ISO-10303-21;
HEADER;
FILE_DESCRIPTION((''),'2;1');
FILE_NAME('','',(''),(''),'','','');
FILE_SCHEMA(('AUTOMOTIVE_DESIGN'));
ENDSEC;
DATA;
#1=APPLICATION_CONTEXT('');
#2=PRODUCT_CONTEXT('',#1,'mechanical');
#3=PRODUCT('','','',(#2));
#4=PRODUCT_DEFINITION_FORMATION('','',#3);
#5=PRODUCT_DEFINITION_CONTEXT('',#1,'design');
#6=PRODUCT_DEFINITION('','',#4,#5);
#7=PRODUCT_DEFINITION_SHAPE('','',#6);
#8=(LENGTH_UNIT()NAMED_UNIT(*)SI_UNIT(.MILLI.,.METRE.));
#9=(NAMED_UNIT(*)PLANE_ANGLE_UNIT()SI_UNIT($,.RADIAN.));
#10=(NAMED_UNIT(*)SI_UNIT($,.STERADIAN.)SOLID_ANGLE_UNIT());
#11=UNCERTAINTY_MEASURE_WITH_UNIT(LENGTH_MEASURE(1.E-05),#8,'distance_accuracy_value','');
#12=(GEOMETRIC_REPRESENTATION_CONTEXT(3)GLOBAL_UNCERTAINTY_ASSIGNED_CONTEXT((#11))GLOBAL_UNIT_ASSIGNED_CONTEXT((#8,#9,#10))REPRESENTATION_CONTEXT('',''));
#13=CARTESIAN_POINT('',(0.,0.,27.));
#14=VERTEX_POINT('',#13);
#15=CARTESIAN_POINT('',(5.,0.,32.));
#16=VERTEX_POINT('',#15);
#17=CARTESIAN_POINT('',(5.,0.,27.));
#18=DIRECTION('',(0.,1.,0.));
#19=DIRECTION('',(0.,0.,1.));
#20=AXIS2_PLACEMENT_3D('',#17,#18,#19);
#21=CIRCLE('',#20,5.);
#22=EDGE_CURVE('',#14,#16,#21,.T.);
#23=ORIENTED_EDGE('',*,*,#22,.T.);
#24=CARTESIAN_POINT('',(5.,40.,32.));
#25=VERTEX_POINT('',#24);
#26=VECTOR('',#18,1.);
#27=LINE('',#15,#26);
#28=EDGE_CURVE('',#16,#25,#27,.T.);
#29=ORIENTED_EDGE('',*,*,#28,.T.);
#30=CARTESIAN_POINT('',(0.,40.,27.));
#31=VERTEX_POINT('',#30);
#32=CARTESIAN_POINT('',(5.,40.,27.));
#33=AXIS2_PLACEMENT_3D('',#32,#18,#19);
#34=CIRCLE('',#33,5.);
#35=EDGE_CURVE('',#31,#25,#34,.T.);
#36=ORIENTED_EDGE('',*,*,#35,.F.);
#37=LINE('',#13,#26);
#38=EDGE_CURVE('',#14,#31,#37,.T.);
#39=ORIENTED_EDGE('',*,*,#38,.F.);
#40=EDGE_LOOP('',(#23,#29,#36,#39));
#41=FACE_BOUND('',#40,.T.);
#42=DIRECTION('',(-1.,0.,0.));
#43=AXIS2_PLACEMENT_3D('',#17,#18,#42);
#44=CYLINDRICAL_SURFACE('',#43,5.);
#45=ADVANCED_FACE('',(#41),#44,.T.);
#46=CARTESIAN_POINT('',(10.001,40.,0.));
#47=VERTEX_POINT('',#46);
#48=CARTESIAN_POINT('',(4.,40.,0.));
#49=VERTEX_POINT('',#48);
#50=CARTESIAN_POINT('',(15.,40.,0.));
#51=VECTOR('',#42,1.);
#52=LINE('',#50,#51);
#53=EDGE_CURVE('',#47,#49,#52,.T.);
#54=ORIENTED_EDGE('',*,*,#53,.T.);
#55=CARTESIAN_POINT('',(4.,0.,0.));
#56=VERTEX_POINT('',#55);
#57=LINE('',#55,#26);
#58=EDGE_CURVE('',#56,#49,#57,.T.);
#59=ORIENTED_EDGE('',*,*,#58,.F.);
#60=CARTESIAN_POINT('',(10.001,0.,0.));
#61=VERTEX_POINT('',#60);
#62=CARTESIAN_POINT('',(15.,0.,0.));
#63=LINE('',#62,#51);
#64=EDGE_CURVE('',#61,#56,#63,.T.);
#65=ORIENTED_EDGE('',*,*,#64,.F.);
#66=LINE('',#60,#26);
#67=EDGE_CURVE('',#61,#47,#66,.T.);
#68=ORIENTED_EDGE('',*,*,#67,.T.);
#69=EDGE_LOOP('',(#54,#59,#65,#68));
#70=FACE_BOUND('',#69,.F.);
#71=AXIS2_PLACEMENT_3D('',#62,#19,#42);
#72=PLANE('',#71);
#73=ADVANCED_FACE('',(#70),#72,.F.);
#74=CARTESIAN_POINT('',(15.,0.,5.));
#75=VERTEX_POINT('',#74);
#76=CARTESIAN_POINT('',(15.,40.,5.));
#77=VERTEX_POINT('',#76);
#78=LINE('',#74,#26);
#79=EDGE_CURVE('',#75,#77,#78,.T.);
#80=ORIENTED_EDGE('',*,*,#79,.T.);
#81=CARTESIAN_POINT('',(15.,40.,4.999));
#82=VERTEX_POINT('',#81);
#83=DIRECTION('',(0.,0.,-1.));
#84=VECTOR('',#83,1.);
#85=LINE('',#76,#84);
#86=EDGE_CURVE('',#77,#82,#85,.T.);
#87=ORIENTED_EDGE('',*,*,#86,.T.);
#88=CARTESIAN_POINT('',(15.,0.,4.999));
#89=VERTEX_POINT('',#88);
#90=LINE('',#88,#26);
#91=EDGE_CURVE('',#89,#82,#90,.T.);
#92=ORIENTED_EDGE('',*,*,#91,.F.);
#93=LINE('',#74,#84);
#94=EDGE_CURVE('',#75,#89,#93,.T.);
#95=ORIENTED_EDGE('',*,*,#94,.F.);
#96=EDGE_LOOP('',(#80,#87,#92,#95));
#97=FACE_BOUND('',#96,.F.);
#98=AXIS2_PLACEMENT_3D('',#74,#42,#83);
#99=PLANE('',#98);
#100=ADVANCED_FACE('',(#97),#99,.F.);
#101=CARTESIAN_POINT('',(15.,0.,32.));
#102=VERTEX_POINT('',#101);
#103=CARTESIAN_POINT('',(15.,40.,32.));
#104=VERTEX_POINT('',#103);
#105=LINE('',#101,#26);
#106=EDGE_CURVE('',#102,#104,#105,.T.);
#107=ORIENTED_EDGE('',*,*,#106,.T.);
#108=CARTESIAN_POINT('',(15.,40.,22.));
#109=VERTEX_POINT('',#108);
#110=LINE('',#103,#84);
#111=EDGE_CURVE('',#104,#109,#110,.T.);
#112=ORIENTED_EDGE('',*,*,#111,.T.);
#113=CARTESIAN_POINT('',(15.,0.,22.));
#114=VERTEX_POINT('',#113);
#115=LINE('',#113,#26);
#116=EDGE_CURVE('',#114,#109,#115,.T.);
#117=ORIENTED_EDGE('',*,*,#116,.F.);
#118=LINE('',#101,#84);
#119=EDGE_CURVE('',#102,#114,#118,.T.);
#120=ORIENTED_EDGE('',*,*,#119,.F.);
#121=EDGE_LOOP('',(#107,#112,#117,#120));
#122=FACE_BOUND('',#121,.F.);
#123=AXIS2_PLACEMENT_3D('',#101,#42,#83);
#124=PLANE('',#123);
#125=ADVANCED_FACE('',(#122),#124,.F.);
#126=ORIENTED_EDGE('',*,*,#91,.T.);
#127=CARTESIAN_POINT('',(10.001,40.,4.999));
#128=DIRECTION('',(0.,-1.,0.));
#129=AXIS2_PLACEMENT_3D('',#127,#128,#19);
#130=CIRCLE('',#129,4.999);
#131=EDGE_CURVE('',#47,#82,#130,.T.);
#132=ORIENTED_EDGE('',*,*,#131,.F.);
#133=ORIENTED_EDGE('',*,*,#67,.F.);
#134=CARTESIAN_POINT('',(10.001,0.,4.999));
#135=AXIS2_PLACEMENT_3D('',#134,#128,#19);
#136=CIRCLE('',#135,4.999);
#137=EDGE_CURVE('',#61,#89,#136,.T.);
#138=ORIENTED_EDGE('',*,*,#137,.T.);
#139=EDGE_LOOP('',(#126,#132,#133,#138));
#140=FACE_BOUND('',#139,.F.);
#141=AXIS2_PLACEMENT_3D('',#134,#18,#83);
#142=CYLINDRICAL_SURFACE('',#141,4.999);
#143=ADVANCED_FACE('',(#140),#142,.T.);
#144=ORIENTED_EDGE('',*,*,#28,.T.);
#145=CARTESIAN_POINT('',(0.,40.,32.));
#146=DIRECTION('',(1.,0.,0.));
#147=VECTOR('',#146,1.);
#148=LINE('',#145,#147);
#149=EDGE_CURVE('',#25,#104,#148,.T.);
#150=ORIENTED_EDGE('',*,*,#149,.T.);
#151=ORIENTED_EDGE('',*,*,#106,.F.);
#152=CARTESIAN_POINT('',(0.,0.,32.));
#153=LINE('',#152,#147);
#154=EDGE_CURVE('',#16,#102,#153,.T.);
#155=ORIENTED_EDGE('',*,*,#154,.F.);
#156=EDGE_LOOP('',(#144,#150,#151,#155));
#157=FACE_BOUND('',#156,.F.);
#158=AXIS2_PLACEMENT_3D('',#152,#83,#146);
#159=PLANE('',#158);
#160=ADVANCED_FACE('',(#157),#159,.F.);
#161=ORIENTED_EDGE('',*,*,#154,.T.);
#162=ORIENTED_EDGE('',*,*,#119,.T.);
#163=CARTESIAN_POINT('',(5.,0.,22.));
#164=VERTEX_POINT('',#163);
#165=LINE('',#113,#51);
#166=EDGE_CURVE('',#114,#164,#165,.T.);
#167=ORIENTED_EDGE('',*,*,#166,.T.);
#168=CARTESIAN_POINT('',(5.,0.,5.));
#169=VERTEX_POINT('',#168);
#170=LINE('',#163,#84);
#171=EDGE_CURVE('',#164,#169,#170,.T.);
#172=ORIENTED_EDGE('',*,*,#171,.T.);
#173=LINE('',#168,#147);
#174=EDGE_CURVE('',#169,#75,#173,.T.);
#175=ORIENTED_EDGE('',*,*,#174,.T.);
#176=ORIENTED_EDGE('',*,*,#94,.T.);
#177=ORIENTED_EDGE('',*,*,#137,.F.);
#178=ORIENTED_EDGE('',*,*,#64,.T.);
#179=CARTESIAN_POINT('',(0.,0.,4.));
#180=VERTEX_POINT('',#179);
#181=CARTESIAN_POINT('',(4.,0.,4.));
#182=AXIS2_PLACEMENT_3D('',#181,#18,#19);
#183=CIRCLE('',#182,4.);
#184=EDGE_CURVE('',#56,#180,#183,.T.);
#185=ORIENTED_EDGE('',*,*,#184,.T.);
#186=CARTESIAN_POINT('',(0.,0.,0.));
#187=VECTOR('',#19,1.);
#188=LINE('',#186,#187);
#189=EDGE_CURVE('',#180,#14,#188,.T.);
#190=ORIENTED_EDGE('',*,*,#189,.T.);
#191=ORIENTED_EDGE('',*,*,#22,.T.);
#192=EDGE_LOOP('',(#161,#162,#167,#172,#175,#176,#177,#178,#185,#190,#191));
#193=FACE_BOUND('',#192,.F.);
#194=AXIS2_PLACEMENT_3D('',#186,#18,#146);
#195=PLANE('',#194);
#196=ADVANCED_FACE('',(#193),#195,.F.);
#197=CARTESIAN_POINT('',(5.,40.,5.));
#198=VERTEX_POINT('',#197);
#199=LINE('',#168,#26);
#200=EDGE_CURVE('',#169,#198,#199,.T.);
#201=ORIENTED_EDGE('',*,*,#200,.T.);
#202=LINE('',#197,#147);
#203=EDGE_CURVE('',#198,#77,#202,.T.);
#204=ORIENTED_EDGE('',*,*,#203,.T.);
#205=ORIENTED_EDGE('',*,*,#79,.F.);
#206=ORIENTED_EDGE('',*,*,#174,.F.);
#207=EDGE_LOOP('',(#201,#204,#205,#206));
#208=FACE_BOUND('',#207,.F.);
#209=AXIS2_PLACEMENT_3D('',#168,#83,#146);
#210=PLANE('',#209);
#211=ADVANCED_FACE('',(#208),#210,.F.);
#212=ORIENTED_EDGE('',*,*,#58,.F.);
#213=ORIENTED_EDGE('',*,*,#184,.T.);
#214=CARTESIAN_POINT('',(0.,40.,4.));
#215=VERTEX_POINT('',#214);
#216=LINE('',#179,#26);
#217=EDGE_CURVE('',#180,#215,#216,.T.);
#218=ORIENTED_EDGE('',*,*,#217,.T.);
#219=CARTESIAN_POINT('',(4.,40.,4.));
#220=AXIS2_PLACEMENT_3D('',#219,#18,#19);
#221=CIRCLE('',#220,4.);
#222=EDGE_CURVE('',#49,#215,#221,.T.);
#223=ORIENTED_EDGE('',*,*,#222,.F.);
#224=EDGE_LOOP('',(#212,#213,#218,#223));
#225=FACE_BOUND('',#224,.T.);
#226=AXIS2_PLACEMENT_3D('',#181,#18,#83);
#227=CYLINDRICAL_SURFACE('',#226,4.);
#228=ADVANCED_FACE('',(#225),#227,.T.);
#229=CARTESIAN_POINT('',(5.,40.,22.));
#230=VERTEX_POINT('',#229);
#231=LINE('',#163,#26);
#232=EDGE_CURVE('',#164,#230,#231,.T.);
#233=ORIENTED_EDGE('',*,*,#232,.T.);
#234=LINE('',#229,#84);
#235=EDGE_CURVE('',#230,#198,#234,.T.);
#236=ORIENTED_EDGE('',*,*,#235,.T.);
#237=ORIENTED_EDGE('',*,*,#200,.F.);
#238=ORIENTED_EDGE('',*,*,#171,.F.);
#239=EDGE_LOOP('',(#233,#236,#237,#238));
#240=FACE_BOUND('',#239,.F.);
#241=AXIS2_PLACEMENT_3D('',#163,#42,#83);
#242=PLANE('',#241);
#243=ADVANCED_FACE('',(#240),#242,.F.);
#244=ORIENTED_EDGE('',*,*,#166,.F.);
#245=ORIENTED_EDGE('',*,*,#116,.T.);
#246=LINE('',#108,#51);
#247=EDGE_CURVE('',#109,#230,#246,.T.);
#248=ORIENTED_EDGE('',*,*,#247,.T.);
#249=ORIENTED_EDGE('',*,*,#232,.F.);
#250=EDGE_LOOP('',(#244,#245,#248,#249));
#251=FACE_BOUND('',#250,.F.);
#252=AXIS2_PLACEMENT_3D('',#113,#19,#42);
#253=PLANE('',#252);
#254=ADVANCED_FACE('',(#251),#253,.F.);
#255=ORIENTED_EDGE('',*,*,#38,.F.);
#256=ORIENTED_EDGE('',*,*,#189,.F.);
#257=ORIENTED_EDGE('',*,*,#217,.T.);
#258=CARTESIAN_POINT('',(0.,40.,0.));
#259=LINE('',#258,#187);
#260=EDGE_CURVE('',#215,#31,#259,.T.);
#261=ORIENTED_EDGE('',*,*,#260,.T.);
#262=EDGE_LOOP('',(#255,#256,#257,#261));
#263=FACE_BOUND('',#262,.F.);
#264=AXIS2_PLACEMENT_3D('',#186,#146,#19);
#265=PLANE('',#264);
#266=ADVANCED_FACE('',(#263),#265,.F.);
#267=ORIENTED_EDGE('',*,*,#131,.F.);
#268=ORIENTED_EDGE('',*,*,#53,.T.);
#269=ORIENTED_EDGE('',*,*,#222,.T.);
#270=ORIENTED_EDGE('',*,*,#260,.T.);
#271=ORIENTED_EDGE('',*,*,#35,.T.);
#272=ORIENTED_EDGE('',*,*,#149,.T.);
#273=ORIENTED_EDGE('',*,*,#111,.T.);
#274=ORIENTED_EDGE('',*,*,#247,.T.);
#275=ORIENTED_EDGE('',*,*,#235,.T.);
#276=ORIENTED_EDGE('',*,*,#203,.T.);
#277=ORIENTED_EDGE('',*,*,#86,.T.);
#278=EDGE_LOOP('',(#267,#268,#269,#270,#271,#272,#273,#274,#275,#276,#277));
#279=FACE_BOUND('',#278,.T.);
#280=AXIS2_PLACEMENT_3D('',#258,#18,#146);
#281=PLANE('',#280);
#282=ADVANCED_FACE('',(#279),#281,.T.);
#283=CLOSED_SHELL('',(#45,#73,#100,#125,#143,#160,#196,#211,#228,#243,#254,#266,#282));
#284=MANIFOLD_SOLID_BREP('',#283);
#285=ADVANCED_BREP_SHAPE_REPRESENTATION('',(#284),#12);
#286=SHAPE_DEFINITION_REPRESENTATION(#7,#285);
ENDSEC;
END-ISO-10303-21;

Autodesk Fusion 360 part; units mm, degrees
sketch "Sketch1" plane through (0, 0, 0) normal (0, 1, 0) x (1, 0, 0)
  line L0 (0, 0) -> (0, -32)
  line L1 (0, -32) -> (15, -32)
  line L2 (15, -32) -> (15, -22)
  line L3 (15, -22) -> (5, -22)
  line L4 (5, -22) -> (5, -5)
  line L5 (5, -5) -> (15, -5)
  line L6 (15, -5) -> (15, 0)
  line L7 (15, 0) -> (0, 0)
  dimension "d1" = 15
  dimension "d2" = 32
  dimension "d3" = 10
  dimension "d4" = 17
  dimension "d5" = 10
  dimension "d7" = 15
extrude "Extrude1" add sketch "Sketch1" along normal blind 40
fillet "Fillet1" radius 5 1 edges at (15, 20, 0)
fillet "Fillet2" radius 4 1 edges at (0, 20, 0)
fillet "Fillet3" radius 5 1 edges at (0, 20, 32)
equation "d2 = 17 mm + 10 mm + 5 mm"
